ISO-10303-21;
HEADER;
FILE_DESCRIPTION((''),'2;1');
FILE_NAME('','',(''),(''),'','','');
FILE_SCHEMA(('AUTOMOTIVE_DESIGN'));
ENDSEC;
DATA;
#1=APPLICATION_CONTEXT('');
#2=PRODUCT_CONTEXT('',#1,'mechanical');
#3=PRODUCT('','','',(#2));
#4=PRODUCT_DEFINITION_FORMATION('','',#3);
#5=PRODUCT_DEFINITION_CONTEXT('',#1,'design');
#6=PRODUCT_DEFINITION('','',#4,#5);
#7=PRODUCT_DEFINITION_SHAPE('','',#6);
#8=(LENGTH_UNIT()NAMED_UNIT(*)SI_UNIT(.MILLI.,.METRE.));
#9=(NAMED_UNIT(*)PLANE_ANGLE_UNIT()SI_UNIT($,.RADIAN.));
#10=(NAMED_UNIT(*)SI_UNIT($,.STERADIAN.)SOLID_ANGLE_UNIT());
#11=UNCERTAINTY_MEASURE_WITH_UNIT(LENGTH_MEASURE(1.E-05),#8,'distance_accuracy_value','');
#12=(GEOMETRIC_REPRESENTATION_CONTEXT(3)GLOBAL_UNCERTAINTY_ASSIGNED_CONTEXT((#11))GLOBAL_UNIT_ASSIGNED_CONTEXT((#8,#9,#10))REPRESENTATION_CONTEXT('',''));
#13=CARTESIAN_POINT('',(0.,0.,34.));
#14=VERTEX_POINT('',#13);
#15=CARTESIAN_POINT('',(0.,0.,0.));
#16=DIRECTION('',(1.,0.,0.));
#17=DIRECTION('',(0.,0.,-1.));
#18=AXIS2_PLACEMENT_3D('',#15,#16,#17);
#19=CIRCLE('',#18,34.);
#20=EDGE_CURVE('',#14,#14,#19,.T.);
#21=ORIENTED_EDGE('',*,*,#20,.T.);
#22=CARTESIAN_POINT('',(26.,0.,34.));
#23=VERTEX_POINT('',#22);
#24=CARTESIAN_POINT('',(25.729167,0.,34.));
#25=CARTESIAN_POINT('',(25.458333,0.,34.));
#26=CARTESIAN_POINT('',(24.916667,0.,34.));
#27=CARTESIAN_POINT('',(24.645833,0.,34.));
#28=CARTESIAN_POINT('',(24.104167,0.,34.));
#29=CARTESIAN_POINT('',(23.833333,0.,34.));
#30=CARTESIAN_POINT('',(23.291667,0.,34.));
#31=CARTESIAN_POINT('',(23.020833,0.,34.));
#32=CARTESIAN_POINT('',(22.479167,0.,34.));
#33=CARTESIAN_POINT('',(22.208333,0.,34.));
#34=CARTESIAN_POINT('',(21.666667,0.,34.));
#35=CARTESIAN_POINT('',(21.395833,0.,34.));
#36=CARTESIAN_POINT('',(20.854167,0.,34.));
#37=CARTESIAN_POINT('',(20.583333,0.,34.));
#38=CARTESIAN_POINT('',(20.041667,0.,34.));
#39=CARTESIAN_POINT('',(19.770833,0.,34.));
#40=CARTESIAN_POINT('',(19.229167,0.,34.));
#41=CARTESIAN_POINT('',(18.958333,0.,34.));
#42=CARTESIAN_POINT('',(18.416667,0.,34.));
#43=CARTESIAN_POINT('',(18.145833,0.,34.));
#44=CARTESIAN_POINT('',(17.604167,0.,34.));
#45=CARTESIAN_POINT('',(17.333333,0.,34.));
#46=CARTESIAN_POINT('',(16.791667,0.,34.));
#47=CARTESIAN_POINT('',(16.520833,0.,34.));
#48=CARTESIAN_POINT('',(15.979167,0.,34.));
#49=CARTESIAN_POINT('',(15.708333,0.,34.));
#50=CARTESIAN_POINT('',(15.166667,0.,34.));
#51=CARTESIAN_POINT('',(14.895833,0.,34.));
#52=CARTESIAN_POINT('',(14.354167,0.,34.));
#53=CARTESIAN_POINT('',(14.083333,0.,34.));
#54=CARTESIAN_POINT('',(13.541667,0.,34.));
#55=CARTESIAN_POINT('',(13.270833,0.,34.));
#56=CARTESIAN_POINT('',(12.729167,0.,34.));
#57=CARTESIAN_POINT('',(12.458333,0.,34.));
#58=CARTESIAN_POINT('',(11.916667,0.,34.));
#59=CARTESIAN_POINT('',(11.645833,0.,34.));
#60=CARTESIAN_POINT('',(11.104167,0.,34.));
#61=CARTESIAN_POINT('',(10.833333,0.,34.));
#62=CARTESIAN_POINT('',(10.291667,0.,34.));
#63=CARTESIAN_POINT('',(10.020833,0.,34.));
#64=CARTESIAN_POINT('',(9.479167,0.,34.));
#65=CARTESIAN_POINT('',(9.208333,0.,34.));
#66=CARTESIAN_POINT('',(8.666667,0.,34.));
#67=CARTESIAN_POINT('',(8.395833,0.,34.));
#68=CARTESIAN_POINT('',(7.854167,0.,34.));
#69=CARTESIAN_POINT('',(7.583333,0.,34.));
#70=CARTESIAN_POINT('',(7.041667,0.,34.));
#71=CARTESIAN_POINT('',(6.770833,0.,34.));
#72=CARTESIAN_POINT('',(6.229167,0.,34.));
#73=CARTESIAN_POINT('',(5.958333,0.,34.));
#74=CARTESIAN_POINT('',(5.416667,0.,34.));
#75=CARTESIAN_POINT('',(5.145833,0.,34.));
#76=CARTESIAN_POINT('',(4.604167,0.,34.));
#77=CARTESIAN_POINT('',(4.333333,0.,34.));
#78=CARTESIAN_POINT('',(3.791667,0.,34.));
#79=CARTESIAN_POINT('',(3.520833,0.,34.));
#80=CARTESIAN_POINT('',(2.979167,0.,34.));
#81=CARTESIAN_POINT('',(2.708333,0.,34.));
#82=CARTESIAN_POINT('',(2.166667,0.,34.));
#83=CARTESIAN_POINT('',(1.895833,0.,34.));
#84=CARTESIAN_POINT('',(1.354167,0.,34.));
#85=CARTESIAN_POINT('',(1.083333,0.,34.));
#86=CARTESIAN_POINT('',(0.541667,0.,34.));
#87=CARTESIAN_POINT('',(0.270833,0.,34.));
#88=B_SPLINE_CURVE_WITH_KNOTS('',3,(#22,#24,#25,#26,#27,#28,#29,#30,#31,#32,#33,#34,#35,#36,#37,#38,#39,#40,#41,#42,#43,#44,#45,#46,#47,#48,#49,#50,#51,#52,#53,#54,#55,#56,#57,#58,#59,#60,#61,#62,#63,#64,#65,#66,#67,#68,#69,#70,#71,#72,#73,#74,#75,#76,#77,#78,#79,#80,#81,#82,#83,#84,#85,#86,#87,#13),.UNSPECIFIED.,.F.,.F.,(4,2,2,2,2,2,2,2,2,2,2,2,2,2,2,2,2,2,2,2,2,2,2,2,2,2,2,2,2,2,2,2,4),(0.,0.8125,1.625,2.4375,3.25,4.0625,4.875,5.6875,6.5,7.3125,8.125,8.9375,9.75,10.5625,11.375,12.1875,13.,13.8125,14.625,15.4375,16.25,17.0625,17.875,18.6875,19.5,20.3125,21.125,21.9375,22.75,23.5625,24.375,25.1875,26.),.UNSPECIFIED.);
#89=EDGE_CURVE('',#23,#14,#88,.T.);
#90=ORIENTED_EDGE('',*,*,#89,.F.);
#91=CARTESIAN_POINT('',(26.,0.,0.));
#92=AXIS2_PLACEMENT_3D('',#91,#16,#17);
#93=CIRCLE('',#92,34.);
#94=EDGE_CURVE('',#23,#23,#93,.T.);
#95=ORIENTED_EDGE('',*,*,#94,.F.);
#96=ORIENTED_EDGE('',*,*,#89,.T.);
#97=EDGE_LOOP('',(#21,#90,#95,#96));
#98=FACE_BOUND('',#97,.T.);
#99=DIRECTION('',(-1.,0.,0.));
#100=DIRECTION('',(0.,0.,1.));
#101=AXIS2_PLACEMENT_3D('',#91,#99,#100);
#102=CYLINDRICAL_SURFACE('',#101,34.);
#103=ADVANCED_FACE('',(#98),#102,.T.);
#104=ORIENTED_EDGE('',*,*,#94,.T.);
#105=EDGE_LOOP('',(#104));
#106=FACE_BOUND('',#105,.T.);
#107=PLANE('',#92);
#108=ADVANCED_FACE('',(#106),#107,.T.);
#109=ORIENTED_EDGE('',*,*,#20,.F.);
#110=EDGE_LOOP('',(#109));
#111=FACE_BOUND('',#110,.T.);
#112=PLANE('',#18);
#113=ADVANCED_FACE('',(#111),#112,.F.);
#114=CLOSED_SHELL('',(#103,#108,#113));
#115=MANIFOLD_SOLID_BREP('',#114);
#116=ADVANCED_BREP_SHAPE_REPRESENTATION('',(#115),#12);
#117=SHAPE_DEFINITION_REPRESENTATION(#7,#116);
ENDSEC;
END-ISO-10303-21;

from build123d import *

# Parameters (mm, degrees)
ESBO_O1_R                = 34
RESSALTO_EXTRUS_O1_DEPTH = 26


with BuildPart() as part:
    # Esboço1 → Ressalto-extrusão1 (new body)
    with BuildSketch(Plane(origin=(0, 0, 0), x_dir=(0, 0, -1), z_dir=(1, 0, 0))):
        with Locations(Location((0, 0, 0), (0, 0, 180))):
            Circle(ESBO_O1_R)
    extrude(amount=RESSALTO_EXTRUS_O1_DEPTH)


solid = part.part
